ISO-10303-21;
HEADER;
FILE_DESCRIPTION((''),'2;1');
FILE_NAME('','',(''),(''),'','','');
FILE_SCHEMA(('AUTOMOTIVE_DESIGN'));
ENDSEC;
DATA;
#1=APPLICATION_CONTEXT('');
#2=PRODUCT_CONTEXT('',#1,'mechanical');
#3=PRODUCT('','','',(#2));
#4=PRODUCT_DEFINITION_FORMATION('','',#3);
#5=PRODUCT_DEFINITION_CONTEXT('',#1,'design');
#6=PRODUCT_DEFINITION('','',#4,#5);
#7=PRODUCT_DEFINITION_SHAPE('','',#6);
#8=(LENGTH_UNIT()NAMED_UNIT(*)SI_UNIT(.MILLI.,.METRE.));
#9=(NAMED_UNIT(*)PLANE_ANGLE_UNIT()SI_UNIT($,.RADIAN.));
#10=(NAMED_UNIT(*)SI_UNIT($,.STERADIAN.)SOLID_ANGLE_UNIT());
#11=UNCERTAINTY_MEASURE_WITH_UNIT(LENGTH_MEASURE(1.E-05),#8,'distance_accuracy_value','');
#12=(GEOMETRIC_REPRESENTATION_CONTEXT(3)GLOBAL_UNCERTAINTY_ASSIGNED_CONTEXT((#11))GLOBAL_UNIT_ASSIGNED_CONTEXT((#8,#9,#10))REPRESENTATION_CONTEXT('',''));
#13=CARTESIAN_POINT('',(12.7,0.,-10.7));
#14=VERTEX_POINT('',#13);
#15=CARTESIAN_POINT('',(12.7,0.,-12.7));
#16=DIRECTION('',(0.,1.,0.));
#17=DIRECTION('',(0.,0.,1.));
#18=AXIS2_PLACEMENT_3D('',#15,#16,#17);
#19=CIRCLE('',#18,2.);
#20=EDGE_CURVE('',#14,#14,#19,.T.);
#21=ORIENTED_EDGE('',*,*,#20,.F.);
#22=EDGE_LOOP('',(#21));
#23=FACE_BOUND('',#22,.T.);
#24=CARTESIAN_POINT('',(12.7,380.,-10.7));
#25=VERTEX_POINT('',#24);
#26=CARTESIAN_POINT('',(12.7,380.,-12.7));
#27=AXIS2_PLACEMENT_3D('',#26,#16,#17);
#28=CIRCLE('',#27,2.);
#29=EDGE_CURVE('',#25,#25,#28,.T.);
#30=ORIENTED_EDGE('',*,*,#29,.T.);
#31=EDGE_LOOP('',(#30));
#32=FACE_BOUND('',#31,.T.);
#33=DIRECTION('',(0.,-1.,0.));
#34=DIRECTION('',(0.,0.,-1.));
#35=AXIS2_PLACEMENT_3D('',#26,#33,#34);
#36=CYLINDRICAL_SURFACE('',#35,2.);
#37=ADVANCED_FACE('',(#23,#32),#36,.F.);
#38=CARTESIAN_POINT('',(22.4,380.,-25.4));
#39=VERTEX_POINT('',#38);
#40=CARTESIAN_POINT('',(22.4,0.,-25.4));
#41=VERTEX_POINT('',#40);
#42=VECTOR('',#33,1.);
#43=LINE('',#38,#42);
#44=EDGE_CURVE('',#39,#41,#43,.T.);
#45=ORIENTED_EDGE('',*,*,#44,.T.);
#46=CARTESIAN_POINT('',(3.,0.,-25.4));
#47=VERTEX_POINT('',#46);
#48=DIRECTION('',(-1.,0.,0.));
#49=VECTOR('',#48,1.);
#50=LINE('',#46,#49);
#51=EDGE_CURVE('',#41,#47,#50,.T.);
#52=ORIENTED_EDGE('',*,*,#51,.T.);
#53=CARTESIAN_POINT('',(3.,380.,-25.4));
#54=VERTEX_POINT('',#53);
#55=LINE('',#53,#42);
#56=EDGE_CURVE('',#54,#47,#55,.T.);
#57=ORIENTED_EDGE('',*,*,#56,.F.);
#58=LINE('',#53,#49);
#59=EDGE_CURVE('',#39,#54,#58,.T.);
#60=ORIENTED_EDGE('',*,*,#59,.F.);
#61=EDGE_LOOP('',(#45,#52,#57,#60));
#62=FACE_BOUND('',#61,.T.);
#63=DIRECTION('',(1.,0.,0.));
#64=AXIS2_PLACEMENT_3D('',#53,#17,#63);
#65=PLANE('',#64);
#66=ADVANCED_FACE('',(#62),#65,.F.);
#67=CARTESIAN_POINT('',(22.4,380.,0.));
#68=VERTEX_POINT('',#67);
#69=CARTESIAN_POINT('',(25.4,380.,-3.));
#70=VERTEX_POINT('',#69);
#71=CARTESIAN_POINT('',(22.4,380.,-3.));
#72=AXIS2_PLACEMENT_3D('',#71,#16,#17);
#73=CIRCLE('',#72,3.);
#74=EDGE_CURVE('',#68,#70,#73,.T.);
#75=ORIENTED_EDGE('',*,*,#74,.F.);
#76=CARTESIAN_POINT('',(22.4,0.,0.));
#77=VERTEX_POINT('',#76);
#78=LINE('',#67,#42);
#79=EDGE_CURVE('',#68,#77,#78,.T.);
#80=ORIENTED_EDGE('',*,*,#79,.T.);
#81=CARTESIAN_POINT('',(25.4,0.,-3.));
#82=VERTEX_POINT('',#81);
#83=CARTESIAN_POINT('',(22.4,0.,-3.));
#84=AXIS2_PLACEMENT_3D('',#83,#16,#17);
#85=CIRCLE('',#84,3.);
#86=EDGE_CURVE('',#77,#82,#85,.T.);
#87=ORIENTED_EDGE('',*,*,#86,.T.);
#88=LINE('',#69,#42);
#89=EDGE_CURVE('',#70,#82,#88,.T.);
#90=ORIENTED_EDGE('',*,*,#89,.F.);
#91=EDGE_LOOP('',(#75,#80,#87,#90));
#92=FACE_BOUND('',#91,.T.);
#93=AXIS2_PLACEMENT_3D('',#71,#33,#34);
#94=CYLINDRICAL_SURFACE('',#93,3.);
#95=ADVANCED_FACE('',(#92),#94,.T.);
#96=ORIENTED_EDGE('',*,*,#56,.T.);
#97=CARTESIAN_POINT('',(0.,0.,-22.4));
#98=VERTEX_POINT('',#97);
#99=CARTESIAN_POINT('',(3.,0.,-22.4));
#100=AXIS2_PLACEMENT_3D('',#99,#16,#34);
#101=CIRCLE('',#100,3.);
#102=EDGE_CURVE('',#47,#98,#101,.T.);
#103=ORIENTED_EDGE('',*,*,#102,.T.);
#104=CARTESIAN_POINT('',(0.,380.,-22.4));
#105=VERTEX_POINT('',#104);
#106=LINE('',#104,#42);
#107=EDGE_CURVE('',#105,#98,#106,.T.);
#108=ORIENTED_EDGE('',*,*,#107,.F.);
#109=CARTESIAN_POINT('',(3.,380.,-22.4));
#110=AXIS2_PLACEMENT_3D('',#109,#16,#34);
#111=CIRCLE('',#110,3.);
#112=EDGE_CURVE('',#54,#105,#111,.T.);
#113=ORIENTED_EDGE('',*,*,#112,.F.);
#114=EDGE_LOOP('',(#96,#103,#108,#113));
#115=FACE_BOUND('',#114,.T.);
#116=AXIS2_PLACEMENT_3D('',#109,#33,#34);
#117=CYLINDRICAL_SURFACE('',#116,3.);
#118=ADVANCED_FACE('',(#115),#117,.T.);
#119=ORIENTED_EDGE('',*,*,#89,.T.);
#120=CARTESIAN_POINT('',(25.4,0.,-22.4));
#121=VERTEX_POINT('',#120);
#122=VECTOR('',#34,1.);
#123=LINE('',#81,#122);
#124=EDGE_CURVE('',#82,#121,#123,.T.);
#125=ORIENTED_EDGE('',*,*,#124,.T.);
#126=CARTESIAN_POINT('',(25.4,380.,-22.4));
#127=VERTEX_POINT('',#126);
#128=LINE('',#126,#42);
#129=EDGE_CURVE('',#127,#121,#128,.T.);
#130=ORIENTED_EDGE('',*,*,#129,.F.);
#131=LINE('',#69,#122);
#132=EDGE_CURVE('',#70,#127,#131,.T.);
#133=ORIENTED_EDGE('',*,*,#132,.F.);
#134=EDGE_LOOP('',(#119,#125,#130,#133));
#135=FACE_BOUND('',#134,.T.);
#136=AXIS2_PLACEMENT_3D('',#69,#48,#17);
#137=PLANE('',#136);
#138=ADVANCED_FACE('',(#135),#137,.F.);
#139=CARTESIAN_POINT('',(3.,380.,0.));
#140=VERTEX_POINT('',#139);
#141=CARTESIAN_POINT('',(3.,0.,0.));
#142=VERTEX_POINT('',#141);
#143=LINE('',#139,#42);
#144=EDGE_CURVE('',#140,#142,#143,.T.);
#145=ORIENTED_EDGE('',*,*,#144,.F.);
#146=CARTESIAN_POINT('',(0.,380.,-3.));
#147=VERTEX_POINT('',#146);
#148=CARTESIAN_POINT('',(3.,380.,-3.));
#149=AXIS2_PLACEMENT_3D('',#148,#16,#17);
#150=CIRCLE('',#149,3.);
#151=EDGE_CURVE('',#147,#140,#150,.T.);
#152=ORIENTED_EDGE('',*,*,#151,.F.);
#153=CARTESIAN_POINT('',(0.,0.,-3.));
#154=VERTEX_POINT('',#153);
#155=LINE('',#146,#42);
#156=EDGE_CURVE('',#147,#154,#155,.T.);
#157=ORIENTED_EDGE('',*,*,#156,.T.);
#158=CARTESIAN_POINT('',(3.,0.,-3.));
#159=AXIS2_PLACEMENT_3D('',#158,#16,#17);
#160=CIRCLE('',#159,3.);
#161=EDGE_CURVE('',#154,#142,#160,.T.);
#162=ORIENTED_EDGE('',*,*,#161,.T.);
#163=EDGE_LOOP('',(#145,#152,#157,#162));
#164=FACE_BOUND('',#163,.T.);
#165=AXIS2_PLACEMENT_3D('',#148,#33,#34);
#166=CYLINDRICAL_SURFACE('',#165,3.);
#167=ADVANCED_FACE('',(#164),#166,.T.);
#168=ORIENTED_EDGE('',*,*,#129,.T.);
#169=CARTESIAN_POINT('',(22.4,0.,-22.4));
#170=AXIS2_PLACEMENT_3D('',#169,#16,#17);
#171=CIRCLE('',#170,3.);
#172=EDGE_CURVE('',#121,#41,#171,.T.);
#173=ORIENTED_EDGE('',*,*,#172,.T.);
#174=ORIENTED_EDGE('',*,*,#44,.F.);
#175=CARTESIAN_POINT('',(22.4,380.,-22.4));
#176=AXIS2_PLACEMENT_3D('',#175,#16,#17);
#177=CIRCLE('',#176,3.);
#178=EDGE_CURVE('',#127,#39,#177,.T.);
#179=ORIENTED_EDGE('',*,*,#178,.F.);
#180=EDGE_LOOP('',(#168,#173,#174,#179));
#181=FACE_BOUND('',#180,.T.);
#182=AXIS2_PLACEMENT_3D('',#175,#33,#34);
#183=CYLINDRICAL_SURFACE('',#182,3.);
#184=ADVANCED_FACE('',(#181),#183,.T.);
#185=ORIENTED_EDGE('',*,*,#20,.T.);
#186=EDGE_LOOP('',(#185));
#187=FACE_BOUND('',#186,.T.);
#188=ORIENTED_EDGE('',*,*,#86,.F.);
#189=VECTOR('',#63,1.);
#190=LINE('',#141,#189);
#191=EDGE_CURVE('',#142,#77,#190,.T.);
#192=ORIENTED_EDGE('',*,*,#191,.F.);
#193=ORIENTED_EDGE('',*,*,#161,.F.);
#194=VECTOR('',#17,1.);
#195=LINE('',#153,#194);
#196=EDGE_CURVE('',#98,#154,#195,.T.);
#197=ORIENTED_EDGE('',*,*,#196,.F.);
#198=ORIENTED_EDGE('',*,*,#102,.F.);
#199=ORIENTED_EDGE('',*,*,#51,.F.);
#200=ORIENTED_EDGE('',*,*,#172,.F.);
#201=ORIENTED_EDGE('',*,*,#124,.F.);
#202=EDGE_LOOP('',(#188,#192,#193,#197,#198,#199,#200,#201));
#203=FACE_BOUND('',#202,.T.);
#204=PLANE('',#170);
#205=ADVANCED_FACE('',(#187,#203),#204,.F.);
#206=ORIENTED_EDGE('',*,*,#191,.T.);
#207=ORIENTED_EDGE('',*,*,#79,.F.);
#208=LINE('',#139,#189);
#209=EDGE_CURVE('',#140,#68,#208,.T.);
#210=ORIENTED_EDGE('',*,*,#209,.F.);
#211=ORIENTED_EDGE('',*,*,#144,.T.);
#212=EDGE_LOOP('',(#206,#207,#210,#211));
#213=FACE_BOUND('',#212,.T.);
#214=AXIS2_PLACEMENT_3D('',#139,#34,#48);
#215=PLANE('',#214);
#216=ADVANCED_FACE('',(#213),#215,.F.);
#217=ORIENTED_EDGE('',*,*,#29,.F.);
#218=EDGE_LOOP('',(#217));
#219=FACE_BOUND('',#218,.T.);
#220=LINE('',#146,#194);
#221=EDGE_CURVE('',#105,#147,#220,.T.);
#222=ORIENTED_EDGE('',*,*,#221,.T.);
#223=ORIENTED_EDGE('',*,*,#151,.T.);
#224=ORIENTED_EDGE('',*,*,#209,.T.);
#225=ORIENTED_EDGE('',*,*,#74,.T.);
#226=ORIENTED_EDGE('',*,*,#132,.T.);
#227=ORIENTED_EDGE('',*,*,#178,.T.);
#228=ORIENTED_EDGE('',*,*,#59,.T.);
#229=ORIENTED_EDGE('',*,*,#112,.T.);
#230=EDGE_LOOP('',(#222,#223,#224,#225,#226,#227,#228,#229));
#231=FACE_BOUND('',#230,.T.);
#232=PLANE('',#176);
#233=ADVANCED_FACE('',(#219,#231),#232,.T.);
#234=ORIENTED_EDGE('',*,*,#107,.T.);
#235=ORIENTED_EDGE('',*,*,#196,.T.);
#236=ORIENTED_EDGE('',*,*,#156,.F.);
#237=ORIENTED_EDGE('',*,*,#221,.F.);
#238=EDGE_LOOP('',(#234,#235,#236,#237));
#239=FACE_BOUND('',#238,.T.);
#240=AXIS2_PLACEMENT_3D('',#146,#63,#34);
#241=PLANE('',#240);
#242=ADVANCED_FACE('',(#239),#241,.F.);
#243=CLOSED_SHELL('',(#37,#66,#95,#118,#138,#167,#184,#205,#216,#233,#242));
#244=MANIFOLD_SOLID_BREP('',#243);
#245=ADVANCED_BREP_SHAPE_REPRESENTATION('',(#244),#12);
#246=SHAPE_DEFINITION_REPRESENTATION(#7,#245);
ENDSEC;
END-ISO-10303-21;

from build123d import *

# Parameters (mm, degrees)
SKETCH1_R           = 2
BOSS_EXTRUDE1_DEPTH = 380


with BuildPart() as part:
    # Sketch1 → Boss-Extrude1 (new body)
    with BuildSketch(Plane(origin=(0, 0, 0), x_dir=(1, 0, 0), z_dir=(0, 1, 0))):
        with BuildLine():
            Line((3, 0), (22.4, 0))
            ThreePointArc((22.4, 0), (24.521320344, 0.878679656), (25.4, 3))
            Line((25.4, 3), (25.4, 22.4))
            ThreePointArc((25.4, 22.4), (24.521320344, 24.521320344), (22.4, 25.4))
            Line((22.4, 25.4), (3, 25.4))
            ThreePointArc((3, 25.4), (0.878679656, 24.521320344), (0, 22.4))
            Line((0, 22.4), (0, 3))
            ThreePointArc((0, 3), (0.878679656, 0.878679656), (3, 0))
        make_face()
        with Locations(Location((12.7, 12.7, 0), (0, 0, 270))):
            Circle(SKETCH1_R, mode=Mode.SUBTRACT)
    extrude(amount=BOSS_EXTRUDE1_DEPTH)


solid = part.part
